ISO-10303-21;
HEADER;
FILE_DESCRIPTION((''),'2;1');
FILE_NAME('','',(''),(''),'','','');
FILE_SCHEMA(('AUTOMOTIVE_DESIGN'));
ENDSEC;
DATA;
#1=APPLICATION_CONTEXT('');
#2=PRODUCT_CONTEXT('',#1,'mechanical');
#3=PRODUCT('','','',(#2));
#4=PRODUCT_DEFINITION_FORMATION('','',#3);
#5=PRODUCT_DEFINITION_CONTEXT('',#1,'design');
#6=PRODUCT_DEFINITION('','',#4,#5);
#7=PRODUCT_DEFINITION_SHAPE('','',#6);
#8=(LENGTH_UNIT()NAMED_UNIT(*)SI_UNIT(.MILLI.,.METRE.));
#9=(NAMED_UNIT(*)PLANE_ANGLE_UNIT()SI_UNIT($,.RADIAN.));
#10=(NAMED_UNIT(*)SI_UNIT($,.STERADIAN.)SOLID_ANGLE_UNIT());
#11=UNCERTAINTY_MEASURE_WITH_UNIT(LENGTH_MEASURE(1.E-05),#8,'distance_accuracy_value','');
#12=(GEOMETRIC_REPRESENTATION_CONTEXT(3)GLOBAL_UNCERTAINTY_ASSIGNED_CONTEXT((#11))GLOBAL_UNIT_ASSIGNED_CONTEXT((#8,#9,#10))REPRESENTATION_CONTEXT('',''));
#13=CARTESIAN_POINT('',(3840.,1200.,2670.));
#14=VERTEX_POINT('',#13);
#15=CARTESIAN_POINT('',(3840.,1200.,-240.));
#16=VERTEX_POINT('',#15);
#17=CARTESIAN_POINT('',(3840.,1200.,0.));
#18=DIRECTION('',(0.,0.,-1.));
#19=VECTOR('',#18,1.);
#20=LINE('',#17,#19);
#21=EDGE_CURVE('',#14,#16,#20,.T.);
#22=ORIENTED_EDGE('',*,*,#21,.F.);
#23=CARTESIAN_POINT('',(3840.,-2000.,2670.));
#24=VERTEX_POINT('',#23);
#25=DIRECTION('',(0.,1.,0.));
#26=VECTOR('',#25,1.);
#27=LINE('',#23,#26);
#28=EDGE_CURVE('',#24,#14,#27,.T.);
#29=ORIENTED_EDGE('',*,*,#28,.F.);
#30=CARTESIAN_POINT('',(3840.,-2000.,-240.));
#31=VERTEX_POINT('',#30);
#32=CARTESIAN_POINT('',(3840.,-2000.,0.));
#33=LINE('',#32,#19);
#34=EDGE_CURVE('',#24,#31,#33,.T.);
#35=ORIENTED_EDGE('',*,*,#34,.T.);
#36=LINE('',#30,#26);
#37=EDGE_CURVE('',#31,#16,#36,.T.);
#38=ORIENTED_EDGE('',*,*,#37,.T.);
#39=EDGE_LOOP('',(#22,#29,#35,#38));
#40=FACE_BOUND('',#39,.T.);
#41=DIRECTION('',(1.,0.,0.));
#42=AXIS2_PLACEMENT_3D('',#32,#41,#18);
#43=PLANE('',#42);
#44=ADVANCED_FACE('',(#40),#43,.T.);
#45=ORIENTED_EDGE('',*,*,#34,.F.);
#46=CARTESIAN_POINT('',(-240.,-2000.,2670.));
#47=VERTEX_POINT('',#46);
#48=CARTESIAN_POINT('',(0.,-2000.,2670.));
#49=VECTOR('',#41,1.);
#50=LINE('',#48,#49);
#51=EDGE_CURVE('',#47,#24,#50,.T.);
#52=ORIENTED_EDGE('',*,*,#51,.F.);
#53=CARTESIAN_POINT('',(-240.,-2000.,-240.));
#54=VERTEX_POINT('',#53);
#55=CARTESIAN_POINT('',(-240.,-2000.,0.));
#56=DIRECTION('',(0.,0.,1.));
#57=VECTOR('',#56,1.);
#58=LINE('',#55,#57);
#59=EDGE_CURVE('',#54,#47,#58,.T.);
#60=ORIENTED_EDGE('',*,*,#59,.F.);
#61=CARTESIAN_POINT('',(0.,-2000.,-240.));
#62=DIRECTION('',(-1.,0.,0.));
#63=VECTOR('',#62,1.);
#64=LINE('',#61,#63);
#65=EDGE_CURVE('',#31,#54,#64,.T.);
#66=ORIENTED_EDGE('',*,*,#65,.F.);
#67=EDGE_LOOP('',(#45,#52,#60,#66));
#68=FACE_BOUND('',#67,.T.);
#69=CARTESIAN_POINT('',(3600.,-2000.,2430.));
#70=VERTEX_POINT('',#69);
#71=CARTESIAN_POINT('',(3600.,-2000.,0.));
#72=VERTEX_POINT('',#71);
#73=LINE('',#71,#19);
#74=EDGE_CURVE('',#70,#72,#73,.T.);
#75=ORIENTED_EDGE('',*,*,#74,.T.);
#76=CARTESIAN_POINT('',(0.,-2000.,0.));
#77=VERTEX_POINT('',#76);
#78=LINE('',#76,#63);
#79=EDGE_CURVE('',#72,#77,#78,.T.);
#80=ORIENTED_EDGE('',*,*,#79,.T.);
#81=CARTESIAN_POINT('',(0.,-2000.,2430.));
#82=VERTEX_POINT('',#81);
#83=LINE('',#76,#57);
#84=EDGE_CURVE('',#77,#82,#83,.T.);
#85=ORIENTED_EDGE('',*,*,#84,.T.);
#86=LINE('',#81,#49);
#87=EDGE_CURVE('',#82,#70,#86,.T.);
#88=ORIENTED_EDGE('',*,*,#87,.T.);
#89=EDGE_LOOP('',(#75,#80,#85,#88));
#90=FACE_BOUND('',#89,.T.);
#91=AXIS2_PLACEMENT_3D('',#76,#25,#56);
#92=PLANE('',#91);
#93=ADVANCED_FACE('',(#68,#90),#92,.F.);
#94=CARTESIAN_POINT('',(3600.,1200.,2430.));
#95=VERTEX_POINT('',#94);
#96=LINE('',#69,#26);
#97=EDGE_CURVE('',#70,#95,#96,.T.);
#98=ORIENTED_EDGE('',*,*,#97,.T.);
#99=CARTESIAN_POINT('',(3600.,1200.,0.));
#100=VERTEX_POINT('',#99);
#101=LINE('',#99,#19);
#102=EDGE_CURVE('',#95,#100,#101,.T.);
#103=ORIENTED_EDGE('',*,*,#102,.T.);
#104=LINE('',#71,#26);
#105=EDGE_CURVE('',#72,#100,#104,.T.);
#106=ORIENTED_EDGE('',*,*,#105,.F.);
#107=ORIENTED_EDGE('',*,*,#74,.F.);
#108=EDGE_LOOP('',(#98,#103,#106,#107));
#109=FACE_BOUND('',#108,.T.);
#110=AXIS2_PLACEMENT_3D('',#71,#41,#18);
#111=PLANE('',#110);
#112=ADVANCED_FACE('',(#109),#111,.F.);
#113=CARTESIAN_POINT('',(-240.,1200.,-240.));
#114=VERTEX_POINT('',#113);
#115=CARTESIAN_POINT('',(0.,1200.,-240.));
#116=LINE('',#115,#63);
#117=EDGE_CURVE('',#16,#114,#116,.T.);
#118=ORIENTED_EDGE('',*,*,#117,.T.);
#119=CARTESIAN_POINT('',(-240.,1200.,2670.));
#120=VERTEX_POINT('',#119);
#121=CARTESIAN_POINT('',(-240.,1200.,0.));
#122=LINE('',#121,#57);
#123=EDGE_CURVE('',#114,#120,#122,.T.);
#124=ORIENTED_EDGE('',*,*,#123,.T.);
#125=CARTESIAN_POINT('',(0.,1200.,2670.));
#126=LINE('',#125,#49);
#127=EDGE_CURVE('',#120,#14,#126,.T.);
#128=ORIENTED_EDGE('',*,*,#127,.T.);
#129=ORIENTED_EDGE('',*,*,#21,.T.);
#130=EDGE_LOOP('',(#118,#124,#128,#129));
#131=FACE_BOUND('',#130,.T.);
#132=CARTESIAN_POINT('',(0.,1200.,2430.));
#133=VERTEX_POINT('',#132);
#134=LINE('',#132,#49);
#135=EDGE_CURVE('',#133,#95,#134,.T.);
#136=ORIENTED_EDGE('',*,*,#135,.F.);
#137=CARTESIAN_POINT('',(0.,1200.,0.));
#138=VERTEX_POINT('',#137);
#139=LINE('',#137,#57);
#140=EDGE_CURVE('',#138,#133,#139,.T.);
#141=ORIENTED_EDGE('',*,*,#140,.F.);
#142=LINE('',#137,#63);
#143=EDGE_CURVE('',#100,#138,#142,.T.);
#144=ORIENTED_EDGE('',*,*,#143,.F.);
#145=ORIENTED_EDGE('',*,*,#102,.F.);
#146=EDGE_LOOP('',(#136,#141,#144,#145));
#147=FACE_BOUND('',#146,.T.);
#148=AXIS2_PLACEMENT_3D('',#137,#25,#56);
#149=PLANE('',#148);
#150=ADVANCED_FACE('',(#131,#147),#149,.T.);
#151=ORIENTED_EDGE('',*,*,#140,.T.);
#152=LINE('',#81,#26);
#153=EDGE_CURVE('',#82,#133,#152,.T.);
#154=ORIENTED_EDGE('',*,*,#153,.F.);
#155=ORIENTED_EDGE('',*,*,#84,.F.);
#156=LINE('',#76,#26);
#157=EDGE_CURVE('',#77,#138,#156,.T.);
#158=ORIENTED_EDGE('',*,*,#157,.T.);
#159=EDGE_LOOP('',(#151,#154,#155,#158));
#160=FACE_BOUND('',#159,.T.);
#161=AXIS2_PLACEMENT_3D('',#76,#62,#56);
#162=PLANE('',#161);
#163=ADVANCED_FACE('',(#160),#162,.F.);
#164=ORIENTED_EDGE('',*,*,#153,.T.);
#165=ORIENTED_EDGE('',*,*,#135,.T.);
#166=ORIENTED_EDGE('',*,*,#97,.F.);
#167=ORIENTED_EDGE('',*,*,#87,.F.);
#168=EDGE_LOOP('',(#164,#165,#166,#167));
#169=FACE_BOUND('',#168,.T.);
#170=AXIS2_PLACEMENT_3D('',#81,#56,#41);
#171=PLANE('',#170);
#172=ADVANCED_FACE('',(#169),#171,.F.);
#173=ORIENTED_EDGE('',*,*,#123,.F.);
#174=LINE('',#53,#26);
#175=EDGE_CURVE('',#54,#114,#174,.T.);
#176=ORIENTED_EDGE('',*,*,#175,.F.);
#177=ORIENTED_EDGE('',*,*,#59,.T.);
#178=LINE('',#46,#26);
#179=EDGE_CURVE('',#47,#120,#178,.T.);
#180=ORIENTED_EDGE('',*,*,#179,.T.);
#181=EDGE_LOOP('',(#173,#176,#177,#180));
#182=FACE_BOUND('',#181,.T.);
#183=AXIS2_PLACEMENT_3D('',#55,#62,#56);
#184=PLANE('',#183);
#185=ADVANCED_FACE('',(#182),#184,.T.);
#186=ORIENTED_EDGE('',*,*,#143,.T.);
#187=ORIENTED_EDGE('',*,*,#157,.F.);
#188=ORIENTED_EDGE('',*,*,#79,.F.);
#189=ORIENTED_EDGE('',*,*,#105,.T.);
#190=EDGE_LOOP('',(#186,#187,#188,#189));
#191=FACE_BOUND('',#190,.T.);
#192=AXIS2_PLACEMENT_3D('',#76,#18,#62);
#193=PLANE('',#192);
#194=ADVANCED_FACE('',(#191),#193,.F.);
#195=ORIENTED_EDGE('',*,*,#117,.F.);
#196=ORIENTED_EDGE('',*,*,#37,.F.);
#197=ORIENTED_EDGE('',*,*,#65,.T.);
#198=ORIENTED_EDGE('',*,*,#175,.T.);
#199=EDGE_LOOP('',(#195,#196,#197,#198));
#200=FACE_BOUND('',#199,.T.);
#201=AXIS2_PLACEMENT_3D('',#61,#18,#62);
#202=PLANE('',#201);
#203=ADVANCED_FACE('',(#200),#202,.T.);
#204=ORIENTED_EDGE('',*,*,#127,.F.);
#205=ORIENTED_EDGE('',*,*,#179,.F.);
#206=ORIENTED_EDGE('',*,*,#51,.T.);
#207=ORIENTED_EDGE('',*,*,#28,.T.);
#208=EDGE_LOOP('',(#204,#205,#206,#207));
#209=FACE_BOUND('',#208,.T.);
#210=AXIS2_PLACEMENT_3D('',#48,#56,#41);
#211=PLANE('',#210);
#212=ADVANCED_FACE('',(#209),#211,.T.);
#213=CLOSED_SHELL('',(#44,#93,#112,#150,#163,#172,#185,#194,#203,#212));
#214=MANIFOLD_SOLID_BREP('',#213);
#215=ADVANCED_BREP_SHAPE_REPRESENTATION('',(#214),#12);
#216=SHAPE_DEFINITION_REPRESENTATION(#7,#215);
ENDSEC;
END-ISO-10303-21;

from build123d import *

# Parameters (mm, degrees)
SKETCH_1_W           = 4080
SKETCH_1_H           = 2910
SKETCH_1_W_2         = 3600
SKETCH_1_H_2         = 2430
EXTRUDE_1_DEPTH      = 1200
EXTRUDE_1_DEPTH_BACK = 2000


with BuildPart() as part:
    # 草图1 → 拉伸-薄壁1 (new body, two sides)
    with BuildSketch(Plane(origin=(0, 0, 0), x_dir=(1, 0, 0), z_dir=(0, 1, 0))) as extrude_1_sk:
        with Locations((1800, -1215)):
            Rectangle(SKETCH_1_W, SKETCH_1_H)
        with Locations((1800, -1215)):
            Rectangle(SKETCH_1_W_2, SKETCH_1_H_2, mode=Mode.SUBTRACT)
    extrude(amount=EXTRUDE_1_DEPTH)
    extrude(extrude_1_sk.sketch, amount=-EXTRUDE_1_DEPTH_BACK)


solid = part.part
